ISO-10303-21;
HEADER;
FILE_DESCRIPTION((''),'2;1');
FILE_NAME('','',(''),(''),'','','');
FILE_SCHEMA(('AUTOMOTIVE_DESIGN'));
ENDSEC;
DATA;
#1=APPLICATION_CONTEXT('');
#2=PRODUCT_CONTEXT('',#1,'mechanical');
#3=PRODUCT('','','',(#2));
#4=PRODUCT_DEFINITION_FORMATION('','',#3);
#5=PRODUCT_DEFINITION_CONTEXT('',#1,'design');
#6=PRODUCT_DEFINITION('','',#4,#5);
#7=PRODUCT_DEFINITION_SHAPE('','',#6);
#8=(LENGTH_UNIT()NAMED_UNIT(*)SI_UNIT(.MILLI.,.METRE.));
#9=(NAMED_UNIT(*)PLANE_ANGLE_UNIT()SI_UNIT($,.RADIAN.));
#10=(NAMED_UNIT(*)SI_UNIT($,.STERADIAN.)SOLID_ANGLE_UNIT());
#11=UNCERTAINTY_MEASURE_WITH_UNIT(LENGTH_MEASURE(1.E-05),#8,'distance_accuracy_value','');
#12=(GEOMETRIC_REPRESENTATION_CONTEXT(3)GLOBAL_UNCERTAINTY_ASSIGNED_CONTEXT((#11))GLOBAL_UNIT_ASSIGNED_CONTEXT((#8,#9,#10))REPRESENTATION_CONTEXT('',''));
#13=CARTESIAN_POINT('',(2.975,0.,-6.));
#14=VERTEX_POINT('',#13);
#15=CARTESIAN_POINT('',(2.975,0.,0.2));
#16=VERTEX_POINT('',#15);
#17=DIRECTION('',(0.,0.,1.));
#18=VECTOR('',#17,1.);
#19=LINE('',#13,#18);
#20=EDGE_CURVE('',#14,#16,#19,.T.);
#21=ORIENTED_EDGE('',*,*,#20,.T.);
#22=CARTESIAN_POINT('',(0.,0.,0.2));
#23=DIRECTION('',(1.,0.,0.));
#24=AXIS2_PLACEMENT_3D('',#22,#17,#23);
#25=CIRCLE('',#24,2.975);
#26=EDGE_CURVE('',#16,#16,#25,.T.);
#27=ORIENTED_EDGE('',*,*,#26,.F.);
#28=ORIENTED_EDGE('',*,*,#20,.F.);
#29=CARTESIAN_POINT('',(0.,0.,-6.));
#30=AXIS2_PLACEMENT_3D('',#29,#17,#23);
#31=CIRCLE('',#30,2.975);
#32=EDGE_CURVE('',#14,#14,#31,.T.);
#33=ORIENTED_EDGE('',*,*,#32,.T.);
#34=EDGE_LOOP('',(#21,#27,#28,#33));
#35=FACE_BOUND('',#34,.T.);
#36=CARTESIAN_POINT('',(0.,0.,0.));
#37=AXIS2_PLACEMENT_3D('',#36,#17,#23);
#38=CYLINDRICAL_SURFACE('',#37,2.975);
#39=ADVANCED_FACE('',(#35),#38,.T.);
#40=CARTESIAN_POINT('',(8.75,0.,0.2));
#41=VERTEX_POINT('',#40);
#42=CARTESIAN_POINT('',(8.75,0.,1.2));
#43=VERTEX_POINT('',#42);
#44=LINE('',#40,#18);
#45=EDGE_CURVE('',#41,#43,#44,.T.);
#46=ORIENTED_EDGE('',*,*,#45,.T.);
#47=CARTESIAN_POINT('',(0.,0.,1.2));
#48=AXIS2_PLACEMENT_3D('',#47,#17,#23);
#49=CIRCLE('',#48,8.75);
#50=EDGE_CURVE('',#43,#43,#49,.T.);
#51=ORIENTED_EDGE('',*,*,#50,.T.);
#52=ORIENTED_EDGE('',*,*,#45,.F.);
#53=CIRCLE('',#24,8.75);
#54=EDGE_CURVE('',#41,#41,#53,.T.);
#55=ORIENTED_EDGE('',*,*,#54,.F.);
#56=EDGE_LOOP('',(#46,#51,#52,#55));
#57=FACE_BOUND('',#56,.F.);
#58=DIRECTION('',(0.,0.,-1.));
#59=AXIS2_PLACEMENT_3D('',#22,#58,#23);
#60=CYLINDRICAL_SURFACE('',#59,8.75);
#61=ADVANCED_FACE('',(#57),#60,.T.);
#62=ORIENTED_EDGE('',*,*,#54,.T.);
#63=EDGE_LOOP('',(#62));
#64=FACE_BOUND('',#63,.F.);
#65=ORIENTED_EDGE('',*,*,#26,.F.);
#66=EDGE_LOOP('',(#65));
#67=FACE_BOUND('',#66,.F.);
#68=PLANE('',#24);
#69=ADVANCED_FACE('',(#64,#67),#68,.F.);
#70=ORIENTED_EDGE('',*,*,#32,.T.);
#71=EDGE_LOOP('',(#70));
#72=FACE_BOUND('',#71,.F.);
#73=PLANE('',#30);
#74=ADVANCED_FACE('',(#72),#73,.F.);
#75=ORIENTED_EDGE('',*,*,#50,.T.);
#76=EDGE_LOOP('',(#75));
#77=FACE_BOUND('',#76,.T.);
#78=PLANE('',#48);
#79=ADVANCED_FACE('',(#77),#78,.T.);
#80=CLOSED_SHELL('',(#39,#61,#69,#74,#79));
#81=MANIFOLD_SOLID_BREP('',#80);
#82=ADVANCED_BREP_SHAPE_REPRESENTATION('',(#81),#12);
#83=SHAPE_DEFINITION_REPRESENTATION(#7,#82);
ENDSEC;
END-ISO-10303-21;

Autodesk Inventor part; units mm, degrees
ref_plane "YZ Plane" through (0, 0, 0) normal (1, 0, 0) x (0, 1, 0)
ref_plane "XZ Plane" through (0, 0, 0) normal (0, 1, 0) x (-1, 0, 0)
ref_plane "XY Plane" through (0, 0, 0) normal (0, 0, 1) x (1, 0, 0)
sketch "Sketch1" plane through (0, 0, 0) normal (0, 0, 1) x (1, 0, 0)
  circle A0 centre (0, 0) radius 3.175 projected
  circle A1 centre (0, 0) radius 2.975
  arc A2 (-4.0862, -4.8606) -> (4.0862, 4.8606) centre (0, 0) ccw projected
  point P0 (0, 0)
  dimension "d0" = 0.2
extrude "Extrusion1" add sketch "Sketch1" against normal blind 6 contours A1
sketch "Sketch2" plane through (0, 0, 0) normal (0, 0, 1) x (1, 0, 0)
  circle A0 centre (0, 0) radius 2.975 projected
  point P0 (0, 0)
extrude "Extrusion2" add sketch "Sketch2" along normal blind 0.2
sketch "Sketch3" plane through (0, 0, 0.2) normal (0, 0, 1) x (1, 0, 0)
  circle A0 centre (0, 0) radius 6.75 projected
  circle A1 centre (0, 0) radius 19.05 projected
  circle A2 centre (0, 0) radius 8.75
  point P0 (0, 0)
  dimension "d5" = 2
extrude "Extrusion3" add sketch "Sketch3" along normal blind 1 contours A0 | A2
properties part number "CartWheelCap"
